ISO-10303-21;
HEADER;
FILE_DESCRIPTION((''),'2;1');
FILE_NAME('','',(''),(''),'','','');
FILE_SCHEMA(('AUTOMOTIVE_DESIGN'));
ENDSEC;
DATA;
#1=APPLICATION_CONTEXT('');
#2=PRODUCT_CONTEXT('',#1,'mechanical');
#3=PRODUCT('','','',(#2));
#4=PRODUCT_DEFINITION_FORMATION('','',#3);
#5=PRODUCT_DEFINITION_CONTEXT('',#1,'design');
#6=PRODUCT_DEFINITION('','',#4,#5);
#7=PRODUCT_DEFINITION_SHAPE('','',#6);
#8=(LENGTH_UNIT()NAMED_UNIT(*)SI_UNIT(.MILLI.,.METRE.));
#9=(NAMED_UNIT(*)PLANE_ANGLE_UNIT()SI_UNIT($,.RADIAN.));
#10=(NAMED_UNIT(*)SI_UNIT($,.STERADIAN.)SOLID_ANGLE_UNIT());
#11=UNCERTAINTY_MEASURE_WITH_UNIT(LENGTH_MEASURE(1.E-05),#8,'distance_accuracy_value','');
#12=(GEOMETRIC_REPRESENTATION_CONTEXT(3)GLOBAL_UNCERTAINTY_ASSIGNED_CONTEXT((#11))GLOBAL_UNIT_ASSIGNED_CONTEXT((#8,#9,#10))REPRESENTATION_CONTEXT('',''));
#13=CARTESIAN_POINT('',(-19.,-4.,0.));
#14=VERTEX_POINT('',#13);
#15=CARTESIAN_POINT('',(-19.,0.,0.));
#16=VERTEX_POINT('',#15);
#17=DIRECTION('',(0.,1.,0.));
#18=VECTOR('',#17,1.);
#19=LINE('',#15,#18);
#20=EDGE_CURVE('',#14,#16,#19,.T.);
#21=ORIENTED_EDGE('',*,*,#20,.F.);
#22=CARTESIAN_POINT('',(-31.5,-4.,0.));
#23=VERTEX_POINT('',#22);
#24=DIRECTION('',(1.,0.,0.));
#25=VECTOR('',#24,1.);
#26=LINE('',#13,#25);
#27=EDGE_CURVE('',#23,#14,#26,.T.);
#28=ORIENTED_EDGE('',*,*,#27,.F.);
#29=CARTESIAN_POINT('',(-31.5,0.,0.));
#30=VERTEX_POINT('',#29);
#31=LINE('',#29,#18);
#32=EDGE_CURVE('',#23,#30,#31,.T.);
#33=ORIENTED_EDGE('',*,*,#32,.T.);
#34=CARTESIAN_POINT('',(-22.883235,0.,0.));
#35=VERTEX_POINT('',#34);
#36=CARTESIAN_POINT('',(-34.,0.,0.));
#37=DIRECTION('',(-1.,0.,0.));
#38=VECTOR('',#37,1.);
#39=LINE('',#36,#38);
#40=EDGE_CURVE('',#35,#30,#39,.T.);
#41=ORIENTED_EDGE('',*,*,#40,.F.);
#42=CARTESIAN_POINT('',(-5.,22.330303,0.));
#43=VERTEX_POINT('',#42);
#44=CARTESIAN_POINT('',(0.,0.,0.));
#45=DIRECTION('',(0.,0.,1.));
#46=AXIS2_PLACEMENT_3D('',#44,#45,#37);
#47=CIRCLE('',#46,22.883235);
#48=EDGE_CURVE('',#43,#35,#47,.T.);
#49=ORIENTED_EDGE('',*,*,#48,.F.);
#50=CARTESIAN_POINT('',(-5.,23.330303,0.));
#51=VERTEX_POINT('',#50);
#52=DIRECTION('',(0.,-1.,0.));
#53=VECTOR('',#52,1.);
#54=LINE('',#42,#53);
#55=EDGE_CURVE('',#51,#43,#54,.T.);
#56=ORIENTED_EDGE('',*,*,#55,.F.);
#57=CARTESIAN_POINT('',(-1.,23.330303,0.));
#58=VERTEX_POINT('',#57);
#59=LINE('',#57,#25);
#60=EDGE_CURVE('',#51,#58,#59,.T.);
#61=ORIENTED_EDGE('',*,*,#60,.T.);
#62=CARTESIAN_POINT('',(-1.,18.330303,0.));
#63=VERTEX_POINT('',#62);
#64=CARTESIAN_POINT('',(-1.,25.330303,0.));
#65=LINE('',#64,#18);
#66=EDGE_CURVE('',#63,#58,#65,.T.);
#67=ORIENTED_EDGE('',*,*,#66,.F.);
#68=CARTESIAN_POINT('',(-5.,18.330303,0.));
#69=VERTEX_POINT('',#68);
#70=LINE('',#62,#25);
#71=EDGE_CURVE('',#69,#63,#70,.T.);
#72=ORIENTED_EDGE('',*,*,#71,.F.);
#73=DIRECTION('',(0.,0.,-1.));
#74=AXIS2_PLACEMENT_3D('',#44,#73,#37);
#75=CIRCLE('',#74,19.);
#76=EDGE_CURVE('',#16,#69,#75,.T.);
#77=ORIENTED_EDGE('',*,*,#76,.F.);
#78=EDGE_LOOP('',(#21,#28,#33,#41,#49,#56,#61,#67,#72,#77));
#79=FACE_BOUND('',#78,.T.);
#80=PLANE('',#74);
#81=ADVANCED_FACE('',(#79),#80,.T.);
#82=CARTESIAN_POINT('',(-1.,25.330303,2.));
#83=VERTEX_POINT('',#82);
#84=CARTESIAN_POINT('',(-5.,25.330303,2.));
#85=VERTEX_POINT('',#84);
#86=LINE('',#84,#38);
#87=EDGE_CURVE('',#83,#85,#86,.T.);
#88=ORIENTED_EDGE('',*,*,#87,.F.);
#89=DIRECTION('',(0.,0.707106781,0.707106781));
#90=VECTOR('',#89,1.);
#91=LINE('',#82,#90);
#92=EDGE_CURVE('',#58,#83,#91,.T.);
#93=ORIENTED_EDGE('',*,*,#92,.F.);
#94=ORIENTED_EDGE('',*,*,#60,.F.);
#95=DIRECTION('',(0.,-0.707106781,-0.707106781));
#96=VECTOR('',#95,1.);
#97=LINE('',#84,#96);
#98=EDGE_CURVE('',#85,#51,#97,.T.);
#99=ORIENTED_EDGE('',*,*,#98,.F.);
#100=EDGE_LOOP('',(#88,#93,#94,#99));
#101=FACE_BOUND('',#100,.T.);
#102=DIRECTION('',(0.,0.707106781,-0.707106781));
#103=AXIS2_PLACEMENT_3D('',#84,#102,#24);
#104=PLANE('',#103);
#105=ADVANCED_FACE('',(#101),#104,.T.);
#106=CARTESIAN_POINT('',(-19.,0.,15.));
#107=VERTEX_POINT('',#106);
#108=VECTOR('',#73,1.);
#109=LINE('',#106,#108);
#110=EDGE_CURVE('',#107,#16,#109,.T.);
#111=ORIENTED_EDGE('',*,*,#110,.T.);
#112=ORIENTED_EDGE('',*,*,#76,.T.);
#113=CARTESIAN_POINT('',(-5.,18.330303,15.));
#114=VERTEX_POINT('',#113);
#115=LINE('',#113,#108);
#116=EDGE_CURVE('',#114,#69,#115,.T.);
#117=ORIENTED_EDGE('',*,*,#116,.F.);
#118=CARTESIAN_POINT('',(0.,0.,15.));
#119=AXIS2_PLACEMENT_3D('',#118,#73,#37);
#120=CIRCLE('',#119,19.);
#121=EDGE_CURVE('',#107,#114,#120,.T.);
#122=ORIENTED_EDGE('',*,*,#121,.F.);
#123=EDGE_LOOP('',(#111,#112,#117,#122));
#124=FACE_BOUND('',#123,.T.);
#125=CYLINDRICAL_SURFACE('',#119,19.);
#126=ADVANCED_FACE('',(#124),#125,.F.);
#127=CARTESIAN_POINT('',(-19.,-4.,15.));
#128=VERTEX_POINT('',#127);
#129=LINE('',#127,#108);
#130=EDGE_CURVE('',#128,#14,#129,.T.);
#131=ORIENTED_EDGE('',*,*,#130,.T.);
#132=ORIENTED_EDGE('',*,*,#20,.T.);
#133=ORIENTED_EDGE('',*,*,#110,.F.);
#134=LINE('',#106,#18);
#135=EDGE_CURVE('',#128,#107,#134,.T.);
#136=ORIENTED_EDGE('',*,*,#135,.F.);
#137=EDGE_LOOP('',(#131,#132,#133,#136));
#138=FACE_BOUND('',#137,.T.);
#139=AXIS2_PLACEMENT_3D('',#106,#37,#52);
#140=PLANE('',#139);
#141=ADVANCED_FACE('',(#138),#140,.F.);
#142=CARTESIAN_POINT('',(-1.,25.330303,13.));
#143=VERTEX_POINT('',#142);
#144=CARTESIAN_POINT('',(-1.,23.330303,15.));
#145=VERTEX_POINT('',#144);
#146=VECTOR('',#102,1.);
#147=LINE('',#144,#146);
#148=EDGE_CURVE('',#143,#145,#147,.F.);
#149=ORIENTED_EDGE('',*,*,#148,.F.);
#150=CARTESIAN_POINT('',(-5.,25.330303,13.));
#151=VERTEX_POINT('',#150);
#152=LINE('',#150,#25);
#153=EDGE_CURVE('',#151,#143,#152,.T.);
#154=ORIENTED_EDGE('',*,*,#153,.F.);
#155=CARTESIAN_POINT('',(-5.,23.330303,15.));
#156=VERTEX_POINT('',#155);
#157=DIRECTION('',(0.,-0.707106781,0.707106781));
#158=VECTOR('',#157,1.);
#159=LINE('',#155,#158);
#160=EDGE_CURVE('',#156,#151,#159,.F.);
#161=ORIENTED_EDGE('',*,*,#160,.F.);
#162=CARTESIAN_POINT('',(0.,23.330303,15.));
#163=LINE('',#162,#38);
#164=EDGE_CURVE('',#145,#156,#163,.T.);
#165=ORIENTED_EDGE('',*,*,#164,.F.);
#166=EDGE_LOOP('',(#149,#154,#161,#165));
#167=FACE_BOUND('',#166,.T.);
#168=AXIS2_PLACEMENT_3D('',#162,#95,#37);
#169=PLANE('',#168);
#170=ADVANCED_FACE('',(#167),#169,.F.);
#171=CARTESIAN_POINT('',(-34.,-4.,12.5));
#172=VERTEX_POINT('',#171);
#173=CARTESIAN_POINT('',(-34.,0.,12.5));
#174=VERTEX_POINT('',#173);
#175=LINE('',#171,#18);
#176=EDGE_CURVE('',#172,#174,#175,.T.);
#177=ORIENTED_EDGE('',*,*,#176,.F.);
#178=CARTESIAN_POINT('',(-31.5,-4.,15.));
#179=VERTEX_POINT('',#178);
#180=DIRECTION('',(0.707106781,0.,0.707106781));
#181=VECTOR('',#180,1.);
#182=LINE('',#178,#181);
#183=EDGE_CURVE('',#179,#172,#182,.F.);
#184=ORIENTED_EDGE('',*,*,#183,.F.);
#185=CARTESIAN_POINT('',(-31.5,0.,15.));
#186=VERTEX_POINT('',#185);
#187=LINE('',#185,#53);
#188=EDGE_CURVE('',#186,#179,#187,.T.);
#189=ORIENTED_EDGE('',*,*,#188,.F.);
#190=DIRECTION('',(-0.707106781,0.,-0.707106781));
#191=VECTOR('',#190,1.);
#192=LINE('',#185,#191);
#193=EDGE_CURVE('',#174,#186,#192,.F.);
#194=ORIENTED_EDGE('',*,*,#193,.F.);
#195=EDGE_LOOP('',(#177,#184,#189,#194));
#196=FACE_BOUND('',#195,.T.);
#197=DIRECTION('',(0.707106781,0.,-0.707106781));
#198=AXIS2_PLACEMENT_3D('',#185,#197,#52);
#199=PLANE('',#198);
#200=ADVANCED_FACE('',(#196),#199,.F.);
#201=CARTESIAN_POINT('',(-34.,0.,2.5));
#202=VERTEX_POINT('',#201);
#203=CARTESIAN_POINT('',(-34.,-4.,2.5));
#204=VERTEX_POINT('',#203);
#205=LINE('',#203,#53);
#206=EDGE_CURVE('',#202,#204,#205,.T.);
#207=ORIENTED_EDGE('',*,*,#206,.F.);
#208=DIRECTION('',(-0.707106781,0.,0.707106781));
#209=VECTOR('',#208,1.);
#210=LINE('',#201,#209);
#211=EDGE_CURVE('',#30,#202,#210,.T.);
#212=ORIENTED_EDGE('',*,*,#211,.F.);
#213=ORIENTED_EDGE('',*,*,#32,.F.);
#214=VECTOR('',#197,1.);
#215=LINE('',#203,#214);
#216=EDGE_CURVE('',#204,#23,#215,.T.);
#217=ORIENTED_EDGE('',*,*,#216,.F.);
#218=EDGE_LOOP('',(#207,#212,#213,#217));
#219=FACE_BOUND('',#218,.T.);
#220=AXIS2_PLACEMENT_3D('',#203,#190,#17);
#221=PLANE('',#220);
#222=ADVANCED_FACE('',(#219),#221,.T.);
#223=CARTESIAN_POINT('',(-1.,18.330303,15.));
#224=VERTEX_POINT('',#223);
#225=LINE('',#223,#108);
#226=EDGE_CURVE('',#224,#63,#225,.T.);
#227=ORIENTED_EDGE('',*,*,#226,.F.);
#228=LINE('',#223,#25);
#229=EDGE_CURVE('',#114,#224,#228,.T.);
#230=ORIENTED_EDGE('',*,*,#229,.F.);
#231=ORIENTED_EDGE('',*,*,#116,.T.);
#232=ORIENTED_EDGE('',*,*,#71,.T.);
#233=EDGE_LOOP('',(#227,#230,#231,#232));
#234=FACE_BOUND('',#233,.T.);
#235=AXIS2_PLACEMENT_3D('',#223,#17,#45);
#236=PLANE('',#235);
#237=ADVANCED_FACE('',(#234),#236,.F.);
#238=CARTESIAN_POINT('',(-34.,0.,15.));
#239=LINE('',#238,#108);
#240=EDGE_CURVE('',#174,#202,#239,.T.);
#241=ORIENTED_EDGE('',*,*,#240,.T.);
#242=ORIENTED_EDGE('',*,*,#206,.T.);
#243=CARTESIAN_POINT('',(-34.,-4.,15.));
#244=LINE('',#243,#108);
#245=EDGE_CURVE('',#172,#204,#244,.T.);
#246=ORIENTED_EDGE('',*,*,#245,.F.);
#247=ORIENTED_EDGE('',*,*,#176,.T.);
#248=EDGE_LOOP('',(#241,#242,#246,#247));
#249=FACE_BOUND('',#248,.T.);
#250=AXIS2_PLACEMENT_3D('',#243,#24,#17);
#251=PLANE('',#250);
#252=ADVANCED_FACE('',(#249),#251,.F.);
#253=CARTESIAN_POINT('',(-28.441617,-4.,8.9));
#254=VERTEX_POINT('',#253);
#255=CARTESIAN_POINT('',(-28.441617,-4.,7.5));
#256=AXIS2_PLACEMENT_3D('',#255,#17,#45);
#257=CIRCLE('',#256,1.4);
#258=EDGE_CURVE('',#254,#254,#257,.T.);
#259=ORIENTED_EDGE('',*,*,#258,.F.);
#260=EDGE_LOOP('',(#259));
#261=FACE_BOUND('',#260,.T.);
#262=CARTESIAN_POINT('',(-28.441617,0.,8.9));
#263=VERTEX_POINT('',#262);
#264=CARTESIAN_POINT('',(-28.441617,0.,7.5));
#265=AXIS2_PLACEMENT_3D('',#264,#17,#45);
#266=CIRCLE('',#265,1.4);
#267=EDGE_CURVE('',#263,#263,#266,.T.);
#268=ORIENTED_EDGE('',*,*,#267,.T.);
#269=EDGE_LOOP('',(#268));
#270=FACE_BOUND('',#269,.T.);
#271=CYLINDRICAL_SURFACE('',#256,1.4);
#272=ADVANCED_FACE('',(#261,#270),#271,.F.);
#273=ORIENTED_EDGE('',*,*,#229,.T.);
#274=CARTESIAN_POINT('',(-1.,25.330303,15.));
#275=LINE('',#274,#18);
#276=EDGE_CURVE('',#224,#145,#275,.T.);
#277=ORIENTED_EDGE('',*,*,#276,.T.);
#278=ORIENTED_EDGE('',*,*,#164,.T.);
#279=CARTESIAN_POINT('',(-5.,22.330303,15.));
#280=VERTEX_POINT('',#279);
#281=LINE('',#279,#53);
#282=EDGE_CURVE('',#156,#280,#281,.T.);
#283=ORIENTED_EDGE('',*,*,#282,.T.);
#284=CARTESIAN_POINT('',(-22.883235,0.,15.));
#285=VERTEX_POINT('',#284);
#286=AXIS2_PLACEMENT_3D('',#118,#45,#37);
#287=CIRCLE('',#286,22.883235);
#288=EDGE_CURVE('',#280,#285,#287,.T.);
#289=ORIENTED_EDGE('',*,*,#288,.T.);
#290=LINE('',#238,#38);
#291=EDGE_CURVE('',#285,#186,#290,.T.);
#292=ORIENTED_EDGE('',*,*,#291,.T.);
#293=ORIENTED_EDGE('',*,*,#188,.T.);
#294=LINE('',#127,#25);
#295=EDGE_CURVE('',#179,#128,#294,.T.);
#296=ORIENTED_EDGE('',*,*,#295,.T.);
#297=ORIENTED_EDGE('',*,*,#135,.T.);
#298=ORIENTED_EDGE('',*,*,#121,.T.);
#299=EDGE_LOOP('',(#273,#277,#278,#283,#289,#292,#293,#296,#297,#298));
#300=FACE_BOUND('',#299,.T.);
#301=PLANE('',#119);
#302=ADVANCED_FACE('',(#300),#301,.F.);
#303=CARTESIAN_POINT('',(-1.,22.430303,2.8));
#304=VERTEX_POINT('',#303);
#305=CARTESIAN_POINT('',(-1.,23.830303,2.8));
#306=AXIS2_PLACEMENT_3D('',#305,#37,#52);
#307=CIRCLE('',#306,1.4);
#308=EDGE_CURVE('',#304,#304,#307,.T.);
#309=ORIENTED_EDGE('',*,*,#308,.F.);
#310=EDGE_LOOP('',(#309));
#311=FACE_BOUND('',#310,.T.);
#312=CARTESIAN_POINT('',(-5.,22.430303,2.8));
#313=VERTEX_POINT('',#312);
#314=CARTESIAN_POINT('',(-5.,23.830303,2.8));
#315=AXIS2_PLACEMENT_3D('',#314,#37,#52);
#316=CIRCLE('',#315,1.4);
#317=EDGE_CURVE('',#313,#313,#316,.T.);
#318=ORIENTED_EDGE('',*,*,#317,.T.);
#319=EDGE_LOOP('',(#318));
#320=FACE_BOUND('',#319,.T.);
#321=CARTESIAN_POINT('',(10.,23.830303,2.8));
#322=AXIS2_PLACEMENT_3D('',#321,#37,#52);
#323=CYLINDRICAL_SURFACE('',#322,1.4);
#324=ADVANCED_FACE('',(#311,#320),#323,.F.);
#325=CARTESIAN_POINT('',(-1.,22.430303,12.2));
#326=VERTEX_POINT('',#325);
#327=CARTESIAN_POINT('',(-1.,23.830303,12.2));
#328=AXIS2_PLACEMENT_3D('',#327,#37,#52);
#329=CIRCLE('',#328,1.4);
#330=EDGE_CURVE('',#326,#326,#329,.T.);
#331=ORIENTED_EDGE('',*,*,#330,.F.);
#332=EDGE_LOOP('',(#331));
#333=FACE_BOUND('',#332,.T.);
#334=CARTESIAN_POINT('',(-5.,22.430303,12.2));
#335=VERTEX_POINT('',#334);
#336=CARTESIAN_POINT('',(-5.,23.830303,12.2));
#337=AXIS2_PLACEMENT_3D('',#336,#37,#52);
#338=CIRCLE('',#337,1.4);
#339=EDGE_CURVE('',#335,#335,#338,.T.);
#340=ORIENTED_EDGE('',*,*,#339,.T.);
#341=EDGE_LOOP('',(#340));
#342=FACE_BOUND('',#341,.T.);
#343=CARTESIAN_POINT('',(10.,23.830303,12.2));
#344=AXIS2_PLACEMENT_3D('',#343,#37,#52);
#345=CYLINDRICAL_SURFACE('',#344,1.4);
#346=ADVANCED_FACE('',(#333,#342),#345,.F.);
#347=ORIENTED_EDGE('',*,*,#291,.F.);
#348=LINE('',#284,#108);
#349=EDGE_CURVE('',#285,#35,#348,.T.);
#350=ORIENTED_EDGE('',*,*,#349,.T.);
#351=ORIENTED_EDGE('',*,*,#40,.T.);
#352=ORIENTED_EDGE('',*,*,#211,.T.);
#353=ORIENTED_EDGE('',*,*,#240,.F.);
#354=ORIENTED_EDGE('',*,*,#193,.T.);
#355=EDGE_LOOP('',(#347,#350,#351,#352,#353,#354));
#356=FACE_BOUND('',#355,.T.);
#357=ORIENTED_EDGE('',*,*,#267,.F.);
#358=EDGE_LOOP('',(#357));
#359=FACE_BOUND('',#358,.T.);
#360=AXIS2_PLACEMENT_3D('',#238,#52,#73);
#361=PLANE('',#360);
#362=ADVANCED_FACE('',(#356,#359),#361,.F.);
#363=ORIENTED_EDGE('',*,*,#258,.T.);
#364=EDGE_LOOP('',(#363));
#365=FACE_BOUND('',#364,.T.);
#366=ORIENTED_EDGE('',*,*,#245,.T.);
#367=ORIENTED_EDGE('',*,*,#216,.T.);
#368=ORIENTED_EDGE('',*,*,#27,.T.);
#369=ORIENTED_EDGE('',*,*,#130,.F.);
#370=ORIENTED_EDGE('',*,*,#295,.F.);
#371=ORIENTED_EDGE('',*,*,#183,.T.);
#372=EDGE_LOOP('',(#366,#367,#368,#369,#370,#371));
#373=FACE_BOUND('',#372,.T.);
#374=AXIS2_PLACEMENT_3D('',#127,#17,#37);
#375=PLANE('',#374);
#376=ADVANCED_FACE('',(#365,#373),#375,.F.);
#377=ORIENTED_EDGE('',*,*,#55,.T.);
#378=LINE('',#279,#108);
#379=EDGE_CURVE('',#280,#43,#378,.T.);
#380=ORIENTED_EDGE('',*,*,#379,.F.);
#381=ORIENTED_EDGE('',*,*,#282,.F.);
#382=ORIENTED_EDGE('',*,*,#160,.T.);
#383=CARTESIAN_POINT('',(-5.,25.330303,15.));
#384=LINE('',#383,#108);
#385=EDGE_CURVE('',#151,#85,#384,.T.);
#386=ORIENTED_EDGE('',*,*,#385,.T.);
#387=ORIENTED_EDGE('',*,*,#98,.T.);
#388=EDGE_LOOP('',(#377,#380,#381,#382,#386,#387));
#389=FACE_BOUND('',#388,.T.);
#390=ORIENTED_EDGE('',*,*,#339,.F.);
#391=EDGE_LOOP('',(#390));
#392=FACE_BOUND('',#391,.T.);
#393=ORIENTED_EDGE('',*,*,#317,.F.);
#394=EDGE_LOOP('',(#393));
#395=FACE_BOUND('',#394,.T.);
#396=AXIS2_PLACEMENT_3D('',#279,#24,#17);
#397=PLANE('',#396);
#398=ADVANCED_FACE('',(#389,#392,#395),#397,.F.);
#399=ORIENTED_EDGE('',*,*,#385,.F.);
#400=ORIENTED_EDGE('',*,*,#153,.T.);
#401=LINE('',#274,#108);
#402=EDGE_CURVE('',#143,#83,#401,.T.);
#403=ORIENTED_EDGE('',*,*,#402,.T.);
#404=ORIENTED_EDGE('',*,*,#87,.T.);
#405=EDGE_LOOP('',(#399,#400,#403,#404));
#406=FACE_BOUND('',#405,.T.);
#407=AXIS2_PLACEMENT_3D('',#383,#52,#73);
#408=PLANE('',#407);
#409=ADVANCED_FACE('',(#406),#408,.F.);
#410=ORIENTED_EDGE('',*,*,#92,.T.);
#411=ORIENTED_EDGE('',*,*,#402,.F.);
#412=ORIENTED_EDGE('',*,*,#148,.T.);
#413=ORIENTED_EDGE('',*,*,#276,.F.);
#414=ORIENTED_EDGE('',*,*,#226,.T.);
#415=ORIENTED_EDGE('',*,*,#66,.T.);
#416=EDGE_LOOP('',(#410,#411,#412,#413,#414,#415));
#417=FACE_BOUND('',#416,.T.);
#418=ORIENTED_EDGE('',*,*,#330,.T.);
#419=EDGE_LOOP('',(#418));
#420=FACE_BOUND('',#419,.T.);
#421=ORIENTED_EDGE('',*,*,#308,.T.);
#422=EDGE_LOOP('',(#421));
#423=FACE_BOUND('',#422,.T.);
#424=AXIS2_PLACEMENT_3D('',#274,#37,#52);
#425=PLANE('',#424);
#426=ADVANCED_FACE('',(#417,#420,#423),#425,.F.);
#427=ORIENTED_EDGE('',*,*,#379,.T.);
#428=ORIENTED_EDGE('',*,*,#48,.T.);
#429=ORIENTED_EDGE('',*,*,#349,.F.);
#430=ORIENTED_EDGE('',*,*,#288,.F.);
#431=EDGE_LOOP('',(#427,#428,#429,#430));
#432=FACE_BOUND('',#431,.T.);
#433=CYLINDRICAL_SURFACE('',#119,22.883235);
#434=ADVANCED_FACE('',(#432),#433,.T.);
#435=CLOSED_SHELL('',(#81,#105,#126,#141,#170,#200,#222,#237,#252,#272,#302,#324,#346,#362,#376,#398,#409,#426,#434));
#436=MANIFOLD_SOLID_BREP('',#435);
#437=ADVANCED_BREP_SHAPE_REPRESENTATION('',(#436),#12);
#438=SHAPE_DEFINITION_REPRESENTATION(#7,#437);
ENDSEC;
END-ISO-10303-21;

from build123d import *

# Parameters (mm, degrees)
BOSS_EXTRUDE1_DEPTH = 15
CHAMFER1_SIZE       = 2.5
SKETCH2_R           = 1.4
CUT_EXTRUDE1_DEPTH  = 15
CHAMFER2_SIZE       = 2
SKETCH3_R           = 1.4
CUT_EXTRUDE2_DEPTH  = 45.973594908


with BuildPart() as part:
    # Sketch1 → Boss-Extrude1 (new body)
    with BuildSketch(Plane.XY):
        with BuildLine():
            Line((-19, 0), (-19, -4))
            Line((-19, -4), (-34, -4))
            Line((-34, -4), (-34, 0))
            Line((-34, 0), (-22.883234523, 0))
            ThreePointArc((-22.883234523, 0), (-17.861391251, 14.304304416), (-5, 22.33030278))
            Line((-5, 22.33030278), (-5, 25.33030278))
            Line((-5, 25.33030278), (-1, 25.33030278))
            Line((-1, 25.33030278), (-1, 18.33030278))
            Line((-1, 18.33030278), (-5, 18.33030278))
            ThreePointArc((-5, 18.33030278), (-15.099668871, 11.532562595), (-19, 0))
        make_face()
    extrude(amount=BOSS_EXTRUDE1_DEPTH)

    # Chamfer1
    chamfer1_edges = [part.edges().sort_by_distance(p)[0] for p in [
        (-34, -2, 0),
        (-34, -2, 15),
    ]]
    chamfer(chamfer1_edges, length=CHAMFER1_SIZE)

    # Sketch2 → Cut-Extrude1 (cut)
    with BuildSketch(Plane.ZY.offset(5)):
        with Locations(Location((2.8, 23.83030278, 0), (0, 0, 270))):
            Circle(SKETCH2_R)
        with Locations(Location((12.2, 23.83030278, 0), (0, 0, 270))):
            Circle(SKETCH2_R)
    extrude(amount=-CUT_EXTRUDE1_DEPTH, mode=Mode.SUBTRACT)

    # Chamfer2
    chamfer2_edges = [part.edges().sort_by_distance(p)[0] for p in [
        (-3, 25.33030278, 0),
        (-3, 25.33030278, 15),
    ]]
    chamfer(chamfer2_edges, length=CHAMFER2_SIZE)

    # Sketch3 → Cut-Extrude2 (cut, through all)
    with BuildSketch(Plane(origin=(0, 0, 0), x_dir=(1, 0, 0), z_dir=(0, 1, 0))):
        with Locations(Location((-28.441617262, -7.5, 0), (0, 0, 270))):
            Circle(SKETCH3_R)
    extrude(amount=-CUT_EXTRUDE2_DEPTH, mode=Mode.SUBTRACT)


solid = part.part
